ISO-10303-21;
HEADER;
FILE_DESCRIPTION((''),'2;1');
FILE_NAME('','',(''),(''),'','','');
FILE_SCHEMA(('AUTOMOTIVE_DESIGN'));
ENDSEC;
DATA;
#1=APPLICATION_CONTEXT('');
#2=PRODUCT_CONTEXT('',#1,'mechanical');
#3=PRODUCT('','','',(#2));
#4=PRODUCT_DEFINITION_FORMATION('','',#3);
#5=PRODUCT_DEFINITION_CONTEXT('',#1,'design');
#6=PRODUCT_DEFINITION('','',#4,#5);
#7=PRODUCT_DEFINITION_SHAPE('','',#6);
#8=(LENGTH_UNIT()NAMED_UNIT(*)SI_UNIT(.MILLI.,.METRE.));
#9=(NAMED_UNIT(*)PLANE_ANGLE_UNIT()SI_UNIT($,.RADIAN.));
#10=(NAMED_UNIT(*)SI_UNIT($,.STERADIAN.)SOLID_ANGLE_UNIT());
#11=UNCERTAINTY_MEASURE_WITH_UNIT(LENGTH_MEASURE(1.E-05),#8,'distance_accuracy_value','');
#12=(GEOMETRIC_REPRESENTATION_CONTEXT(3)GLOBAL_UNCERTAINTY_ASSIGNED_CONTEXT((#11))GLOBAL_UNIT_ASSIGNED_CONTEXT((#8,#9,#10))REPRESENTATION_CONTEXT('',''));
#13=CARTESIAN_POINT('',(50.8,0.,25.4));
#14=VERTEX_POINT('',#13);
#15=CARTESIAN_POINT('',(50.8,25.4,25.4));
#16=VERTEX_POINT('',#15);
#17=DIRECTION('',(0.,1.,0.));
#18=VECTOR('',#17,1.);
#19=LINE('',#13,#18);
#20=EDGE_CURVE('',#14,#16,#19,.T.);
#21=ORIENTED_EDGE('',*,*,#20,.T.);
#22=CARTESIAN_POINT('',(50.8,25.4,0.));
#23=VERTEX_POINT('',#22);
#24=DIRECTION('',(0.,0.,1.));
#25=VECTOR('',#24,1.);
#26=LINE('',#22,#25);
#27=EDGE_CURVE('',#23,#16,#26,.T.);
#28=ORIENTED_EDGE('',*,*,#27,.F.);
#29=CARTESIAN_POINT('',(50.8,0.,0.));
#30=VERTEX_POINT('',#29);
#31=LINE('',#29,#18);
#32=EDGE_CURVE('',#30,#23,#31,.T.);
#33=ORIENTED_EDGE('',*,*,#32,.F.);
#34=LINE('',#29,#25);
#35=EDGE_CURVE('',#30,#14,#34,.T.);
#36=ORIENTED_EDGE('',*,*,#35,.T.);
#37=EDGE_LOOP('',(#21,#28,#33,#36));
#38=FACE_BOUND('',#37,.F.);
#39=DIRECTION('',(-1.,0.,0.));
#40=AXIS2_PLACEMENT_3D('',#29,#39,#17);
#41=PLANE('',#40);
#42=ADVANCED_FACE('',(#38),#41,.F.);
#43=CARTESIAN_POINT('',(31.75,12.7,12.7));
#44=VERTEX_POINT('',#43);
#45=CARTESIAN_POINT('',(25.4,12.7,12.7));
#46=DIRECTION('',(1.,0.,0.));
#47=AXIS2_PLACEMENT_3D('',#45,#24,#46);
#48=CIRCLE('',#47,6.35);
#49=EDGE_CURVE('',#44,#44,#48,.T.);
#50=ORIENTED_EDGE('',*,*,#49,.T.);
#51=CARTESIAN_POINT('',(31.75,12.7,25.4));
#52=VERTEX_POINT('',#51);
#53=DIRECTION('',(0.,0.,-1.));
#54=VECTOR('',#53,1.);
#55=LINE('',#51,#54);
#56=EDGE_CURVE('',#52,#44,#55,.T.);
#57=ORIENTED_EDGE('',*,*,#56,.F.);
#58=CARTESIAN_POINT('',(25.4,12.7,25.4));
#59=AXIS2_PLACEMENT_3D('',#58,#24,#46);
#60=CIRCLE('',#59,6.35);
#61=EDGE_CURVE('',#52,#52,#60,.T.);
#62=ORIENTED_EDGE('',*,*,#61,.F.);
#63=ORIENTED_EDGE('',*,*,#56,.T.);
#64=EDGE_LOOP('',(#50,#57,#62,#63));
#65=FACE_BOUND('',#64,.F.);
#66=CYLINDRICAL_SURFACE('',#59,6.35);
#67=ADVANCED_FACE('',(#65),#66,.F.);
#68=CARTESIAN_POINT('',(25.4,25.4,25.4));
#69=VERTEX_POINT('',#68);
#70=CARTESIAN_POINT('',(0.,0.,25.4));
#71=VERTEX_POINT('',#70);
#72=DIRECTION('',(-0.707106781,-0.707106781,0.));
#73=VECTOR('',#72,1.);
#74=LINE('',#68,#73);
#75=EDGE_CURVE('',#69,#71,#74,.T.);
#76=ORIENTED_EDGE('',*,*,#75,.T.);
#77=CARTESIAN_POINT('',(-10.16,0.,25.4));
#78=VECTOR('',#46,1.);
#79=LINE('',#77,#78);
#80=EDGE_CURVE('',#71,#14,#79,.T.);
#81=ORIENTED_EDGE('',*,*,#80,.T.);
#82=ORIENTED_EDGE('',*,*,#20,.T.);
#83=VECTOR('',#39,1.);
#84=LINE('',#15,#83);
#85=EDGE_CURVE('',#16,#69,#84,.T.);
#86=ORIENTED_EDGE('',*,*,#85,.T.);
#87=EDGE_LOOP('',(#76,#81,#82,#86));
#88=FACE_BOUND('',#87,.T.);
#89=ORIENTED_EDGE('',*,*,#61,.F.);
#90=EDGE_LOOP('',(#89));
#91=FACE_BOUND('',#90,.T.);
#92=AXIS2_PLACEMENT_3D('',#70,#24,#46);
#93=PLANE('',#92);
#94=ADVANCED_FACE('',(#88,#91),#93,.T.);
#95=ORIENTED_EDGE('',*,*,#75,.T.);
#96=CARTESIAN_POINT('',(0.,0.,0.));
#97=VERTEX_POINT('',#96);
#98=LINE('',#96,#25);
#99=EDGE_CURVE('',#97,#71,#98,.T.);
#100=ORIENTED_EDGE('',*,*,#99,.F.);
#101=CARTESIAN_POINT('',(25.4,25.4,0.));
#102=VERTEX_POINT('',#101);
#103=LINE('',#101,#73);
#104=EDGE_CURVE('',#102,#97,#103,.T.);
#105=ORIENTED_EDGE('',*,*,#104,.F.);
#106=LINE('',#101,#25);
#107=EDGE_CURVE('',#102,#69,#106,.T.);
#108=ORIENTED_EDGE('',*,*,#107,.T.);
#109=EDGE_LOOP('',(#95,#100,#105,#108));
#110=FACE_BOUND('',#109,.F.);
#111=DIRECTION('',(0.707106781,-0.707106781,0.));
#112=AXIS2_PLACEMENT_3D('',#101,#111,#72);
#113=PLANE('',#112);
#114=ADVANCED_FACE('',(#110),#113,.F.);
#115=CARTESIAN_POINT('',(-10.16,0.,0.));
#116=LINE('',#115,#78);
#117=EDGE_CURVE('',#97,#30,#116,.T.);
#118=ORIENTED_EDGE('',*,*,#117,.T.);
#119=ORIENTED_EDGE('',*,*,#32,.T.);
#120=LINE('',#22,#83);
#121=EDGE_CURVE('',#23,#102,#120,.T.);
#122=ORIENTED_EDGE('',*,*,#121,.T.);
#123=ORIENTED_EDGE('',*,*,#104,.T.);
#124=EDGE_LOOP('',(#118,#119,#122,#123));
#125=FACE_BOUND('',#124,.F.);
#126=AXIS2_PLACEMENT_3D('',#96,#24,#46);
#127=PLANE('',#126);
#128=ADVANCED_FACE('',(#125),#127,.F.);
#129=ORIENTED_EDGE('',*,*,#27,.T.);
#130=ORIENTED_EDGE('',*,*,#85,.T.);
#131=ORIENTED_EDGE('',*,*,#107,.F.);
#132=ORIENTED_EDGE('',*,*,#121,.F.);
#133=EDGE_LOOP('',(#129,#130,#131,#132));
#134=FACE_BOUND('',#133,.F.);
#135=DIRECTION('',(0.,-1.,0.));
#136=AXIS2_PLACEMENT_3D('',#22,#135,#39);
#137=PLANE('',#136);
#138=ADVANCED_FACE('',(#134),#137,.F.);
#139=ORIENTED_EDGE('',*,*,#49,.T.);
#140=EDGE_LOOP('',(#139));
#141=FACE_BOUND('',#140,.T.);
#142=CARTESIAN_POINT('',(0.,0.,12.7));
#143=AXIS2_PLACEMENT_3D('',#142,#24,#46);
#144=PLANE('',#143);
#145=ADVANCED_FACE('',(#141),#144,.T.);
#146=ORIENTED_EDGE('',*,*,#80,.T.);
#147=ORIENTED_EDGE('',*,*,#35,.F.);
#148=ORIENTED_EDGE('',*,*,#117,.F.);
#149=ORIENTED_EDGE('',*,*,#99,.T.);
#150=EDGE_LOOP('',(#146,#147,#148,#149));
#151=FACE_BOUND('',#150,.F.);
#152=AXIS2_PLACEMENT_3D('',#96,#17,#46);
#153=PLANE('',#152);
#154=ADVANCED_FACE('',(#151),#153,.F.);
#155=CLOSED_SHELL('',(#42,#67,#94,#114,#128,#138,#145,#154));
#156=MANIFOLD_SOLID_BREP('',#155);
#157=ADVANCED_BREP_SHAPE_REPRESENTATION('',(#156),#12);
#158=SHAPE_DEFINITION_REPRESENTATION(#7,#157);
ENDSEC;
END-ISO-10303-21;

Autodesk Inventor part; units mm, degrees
ref_plane "YZ Plane" through (0, 0, 0) normal (1, 0, 0) x (0, 1, 0)
ref_plane "XZ Plane" through (0, 0, 0) normal (0, 1, 0) x (-1, 0, 0)
ref_plane "XY Plane" through (0, 0, 0) normal (0, 0, 1) x (1, 0, 0)
sketch "Sketch1" plane through (0, 0, 0) normal (0, 0, 1) x (1, 0, 0)
  line L0 (-10.16, 0) -> (60.96, 0) projected
  line L1 (0, 30.48) -> (0, -5.08) projected
  line L2 (0, 0) -> (50.8, 0)
  line L3 (50.8, 0) -> (50.8, 25.4)
  line L4 (50.8, 25.4) -> (25.4, 25.4)
  line L5 (25.4, 25.4) -> (0, 0)
  dimension "d0" = 50.8
  dimension "d1" = 25.4
  dimension "d2" = 25.4
extrude "Extrusion1" add sketch "Sketch1" along normal blind 25.4
sketch "Sketch2" plane through (0, 0, 25.4) normal (0, 0, 1) x (1, 0, 0)
  circle A0 centre (25.4, 12.7) radius 6.35
  dimension "d5" = 12.7
extrude "Extrusion2" cut sketch "Sketch2" against normal blind 12.7
properties part number "block"
